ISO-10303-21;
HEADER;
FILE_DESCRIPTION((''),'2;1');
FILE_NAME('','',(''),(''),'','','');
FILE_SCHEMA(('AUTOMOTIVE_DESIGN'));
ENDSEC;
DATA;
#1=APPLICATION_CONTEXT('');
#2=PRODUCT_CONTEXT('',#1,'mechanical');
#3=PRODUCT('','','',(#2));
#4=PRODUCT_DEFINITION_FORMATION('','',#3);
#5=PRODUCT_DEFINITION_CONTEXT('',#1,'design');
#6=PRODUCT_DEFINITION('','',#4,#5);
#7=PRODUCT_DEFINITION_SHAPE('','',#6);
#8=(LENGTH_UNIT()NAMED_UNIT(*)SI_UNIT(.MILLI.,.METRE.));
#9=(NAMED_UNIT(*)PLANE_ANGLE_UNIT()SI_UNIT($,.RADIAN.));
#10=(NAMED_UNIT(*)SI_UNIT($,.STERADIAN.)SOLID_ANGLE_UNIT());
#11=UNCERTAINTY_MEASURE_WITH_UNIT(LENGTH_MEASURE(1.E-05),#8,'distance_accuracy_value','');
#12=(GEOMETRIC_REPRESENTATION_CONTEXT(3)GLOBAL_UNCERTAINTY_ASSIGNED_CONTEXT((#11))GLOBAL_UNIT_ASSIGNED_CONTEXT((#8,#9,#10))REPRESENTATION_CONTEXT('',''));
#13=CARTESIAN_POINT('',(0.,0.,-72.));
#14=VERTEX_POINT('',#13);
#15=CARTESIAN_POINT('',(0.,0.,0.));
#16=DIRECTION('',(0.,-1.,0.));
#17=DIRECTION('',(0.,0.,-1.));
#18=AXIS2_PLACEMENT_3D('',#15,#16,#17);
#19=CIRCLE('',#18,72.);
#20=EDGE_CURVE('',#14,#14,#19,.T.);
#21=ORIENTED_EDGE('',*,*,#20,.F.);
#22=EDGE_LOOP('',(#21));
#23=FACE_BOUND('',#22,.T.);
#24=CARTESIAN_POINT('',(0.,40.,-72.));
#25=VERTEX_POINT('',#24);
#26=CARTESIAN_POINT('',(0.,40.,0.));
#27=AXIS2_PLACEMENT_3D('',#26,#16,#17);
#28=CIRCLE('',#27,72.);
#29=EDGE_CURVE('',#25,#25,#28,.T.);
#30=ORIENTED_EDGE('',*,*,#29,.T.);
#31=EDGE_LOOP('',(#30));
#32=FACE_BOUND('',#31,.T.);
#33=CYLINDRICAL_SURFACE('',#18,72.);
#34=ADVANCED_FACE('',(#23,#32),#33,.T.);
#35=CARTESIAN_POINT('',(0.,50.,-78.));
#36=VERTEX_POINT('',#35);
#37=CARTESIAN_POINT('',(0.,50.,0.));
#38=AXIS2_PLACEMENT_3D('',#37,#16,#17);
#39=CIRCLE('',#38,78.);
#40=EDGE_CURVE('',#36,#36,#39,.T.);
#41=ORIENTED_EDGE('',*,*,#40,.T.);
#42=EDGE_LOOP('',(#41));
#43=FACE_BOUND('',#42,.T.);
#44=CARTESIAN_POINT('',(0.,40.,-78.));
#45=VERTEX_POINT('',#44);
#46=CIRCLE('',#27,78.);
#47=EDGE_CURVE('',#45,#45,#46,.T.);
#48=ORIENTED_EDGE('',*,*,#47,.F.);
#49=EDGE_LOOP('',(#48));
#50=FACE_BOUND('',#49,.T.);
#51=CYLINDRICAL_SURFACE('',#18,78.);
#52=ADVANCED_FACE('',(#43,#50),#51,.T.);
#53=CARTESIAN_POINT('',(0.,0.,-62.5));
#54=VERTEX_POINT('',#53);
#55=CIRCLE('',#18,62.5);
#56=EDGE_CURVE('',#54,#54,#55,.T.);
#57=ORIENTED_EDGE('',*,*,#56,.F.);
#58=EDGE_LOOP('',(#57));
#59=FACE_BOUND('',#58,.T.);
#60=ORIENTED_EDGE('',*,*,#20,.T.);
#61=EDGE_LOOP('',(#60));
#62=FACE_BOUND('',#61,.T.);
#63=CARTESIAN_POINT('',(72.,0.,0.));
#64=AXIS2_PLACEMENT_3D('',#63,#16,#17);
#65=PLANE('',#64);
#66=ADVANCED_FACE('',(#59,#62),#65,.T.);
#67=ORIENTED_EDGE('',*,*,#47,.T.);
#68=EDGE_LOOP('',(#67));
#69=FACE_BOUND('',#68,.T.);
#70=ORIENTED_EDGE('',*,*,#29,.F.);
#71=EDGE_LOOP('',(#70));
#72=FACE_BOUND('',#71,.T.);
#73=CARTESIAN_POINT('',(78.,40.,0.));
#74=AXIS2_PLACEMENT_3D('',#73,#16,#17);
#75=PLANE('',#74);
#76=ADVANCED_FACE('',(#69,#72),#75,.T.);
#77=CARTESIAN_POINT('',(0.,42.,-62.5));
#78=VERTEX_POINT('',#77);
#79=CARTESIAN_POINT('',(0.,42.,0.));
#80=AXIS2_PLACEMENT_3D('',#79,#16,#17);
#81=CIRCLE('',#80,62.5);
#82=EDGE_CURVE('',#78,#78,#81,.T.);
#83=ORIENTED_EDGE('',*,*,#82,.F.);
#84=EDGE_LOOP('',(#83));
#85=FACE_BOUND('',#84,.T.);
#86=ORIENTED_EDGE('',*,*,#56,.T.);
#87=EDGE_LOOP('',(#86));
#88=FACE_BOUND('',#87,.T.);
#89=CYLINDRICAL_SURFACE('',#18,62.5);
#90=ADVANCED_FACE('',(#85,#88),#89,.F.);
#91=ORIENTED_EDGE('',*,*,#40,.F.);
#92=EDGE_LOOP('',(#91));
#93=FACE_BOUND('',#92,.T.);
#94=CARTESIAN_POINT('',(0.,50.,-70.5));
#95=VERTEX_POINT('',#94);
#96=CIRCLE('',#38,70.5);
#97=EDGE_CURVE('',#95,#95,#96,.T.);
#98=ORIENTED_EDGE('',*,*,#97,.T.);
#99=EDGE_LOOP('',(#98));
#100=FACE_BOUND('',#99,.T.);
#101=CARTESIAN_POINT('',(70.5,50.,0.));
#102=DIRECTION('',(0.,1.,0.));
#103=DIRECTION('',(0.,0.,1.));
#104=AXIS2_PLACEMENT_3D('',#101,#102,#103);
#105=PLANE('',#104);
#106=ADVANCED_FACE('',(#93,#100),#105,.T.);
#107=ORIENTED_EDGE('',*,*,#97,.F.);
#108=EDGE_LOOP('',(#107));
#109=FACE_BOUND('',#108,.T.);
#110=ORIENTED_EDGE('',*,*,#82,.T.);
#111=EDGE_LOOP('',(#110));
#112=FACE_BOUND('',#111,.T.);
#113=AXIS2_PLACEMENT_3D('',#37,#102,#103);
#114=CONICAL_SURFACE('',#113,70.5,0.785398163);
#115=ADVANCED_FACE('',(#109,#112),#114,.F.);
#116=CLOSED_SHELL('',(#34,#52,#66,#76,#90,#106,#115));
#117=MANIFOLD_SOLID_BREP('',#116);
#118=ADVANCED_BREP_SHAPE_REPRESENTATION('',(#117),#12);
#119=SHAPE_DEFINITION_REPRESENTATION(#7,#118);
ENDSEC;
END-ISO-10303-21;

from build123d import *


with BuildPart() as part:
    # Sketch1 → Revolve1 (revolve)
    with BuildSketch(Plane.XY):
        Polygon((62.5, 0), (62.5, 42), (70.5, 50), (78, 50), (78, 40), (72, 40), (72, 0), align=None)
    revolve(axis=Axis((0, 0, 0), (0, 1, 0)))


solid = part.part
